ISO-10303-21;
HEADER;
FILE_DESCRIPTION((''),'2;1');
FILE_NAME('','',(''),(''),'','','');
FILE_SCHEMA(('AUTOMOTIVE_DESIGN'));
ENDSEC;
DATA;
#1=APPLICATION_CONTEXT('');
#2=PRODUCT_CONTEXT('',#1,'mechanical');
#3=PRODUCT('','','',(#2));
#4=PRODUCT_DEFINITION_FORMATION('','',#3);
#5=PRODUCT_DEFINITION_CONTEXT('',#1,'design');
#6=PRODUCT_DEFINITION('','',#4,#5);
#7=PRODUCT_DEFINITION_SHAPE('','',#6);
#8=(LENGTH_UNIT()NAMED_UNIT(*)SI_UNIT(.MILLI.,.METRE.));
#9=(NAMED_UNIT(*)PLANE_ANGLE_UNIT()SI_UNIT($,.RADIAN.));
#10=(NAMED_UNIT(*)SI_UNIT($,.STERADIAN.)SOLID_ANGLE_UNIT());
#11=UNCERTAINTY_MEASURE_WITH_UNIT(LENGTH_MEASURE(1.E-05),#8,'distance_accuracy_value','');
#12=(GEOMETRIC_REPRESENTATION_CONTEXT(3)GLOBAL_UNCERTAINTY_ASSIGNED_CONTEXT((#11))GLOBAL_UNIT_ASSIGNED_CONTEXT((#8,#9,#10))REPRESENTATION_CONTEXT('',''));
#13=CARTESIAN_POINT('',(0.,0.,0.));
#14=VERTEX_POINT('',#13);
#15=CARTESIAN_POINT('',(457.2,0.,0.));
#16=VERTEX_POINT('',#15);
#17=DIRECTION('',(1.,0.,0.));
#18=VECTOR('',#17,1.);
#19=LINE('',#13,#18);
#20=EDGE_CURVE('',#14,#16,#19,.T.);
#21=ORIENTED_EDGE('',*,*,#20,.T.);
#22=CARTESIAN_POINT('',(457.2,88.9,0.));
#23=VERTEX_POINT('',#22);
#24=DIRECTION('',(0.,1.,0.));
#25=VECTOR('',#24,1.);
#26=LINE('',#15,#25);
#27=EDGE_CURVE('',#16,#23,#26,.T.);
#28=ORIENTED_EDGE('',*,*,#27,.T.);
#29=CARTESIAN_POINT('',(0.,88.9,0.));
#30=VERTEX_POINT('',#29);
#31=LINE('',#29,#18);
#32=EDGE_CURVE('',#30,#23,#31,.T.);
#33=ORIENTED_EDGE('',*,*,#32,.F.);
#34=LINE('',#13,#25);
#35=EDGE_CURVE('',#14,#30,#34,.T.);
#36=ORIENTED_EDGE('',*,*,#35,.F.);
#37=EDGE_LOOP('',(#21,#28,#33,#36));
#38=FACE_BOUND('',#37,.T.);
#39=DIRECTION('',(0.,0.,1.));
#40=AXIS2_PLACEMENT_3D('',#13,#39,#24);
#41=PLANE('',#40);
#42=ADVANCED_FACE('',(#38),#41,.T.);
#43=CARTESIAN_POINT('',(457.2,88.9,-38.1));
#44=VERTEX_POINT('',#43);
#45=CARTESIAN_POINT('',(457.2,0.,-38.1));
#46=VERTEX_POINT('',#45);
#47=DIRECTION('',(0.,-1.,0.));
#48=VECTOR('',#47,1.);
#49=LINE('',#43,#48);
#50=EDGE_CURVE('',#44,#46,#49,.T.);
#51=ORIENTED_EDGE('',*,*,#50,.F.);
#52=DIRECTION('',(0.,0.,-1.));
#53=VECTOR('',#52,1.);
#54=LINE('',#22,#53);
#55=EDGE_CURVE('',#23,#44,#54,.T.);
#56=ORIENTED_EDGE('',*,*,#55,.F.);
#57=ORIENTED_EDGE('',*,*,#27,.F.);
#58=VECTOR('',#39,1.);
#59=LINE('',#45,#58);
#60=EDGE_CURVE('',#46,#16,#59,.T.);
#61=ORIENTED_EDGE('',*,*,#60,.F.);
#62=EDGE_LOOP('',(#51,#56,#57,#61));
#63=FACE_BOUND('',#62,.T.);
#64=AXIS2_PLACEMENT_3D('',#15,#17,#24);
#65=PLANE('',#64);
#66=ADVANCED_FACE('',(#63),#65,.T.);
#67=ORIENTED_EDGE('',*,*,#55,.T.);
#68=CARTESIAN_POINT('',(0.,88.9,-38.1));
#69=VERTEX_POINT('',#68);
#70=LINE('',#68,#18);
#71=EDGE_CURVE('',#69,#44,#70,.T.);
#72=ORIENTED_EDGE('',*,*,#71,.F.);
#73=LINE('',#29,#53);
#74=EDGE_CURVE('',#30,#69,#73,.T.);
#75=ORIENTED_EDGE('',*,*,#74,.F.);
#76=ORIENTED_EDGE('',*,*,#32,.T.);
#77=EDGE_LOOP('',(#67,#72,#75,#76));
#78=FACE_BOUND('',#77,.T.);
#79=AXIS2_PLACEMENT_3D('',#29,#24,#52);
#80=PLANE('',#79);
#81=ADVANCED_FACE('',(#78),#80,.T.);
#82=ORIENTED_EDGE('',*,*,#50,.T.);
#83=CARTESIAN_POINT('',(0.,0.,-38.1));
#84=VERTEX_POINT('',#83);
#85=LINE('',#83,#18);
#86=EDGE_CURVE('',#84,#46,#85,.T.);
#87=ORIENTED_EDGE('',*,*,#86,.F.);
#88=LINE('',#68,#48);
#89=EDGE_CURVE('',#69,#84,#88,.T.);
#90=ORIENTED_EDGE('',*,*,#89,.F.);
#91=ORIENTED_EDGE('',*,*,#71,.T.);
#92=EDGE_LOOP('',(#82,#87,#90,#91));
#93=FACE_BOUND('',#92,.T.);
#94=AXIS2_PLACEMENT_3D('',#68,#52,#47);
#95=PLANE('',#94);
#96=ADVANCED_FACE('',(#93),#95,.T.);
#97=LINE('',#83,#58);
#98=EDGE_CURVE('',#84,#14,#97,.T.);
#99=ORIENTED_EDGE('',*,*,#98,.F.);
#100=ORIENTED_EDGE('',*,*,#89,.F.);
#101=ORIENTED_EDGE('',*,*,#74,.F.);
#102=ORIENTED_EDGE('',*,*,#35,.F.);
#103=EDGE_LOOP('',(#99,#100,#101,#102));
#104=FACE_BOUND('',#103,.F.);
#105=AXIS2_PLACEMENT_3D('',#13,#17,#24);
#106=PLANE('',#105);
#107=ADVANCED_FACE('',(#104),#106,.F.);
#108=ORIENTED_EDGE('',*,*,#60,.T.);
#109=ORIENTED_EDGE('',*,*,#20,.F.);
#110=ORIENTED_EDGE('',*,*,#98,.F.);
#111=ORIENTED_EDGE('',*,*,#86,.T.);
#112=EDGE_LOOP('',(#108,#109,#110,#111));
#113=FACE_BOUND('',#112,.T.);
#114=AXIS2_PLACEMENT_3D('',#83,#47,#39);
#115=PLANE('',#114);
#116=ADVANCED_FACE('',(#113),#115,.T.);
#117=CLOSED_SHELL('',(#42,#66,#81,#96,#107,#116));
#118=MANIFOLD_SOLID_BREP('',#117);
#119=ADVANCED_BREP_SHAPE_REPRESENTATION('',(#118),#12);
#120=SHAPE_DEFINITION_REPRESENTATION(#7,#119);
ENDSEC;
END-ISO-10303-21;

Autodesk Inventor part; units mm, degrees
ref_plane "YZ Plane" through (0, 0, 0) normal (1, 0, 0) x (0, 1, 0)
ref_plane "XZ Plane" through (0, 0, 0) normal (0, 1, 0) x (-1, 0, 0)
ref_plane "XY Plane" through (0, 0, 0) normal (0, 0, 1) x (1, 0, 0)
sketch "Sketch1" plane through (0, 0, 0) normal (1, 0, 0) x (0, 1, 0)
  line L0 (0, 0) -> (88.9, 0)
  line L1 (88.9, 0) -> (88.9, -38.1)
  line L2 (88.9, -38.1) -> (0, -38.1)
  line L3 (0, -38.1) -> (0, 0)
  dimension "d0" = 38.1
  dimension "d1" = 88.9
extrude "Extrusion1" add sketch "Sketch1" along normal blind 457.2
properties part number "2by4by18" material "Wood (Cherry)"
